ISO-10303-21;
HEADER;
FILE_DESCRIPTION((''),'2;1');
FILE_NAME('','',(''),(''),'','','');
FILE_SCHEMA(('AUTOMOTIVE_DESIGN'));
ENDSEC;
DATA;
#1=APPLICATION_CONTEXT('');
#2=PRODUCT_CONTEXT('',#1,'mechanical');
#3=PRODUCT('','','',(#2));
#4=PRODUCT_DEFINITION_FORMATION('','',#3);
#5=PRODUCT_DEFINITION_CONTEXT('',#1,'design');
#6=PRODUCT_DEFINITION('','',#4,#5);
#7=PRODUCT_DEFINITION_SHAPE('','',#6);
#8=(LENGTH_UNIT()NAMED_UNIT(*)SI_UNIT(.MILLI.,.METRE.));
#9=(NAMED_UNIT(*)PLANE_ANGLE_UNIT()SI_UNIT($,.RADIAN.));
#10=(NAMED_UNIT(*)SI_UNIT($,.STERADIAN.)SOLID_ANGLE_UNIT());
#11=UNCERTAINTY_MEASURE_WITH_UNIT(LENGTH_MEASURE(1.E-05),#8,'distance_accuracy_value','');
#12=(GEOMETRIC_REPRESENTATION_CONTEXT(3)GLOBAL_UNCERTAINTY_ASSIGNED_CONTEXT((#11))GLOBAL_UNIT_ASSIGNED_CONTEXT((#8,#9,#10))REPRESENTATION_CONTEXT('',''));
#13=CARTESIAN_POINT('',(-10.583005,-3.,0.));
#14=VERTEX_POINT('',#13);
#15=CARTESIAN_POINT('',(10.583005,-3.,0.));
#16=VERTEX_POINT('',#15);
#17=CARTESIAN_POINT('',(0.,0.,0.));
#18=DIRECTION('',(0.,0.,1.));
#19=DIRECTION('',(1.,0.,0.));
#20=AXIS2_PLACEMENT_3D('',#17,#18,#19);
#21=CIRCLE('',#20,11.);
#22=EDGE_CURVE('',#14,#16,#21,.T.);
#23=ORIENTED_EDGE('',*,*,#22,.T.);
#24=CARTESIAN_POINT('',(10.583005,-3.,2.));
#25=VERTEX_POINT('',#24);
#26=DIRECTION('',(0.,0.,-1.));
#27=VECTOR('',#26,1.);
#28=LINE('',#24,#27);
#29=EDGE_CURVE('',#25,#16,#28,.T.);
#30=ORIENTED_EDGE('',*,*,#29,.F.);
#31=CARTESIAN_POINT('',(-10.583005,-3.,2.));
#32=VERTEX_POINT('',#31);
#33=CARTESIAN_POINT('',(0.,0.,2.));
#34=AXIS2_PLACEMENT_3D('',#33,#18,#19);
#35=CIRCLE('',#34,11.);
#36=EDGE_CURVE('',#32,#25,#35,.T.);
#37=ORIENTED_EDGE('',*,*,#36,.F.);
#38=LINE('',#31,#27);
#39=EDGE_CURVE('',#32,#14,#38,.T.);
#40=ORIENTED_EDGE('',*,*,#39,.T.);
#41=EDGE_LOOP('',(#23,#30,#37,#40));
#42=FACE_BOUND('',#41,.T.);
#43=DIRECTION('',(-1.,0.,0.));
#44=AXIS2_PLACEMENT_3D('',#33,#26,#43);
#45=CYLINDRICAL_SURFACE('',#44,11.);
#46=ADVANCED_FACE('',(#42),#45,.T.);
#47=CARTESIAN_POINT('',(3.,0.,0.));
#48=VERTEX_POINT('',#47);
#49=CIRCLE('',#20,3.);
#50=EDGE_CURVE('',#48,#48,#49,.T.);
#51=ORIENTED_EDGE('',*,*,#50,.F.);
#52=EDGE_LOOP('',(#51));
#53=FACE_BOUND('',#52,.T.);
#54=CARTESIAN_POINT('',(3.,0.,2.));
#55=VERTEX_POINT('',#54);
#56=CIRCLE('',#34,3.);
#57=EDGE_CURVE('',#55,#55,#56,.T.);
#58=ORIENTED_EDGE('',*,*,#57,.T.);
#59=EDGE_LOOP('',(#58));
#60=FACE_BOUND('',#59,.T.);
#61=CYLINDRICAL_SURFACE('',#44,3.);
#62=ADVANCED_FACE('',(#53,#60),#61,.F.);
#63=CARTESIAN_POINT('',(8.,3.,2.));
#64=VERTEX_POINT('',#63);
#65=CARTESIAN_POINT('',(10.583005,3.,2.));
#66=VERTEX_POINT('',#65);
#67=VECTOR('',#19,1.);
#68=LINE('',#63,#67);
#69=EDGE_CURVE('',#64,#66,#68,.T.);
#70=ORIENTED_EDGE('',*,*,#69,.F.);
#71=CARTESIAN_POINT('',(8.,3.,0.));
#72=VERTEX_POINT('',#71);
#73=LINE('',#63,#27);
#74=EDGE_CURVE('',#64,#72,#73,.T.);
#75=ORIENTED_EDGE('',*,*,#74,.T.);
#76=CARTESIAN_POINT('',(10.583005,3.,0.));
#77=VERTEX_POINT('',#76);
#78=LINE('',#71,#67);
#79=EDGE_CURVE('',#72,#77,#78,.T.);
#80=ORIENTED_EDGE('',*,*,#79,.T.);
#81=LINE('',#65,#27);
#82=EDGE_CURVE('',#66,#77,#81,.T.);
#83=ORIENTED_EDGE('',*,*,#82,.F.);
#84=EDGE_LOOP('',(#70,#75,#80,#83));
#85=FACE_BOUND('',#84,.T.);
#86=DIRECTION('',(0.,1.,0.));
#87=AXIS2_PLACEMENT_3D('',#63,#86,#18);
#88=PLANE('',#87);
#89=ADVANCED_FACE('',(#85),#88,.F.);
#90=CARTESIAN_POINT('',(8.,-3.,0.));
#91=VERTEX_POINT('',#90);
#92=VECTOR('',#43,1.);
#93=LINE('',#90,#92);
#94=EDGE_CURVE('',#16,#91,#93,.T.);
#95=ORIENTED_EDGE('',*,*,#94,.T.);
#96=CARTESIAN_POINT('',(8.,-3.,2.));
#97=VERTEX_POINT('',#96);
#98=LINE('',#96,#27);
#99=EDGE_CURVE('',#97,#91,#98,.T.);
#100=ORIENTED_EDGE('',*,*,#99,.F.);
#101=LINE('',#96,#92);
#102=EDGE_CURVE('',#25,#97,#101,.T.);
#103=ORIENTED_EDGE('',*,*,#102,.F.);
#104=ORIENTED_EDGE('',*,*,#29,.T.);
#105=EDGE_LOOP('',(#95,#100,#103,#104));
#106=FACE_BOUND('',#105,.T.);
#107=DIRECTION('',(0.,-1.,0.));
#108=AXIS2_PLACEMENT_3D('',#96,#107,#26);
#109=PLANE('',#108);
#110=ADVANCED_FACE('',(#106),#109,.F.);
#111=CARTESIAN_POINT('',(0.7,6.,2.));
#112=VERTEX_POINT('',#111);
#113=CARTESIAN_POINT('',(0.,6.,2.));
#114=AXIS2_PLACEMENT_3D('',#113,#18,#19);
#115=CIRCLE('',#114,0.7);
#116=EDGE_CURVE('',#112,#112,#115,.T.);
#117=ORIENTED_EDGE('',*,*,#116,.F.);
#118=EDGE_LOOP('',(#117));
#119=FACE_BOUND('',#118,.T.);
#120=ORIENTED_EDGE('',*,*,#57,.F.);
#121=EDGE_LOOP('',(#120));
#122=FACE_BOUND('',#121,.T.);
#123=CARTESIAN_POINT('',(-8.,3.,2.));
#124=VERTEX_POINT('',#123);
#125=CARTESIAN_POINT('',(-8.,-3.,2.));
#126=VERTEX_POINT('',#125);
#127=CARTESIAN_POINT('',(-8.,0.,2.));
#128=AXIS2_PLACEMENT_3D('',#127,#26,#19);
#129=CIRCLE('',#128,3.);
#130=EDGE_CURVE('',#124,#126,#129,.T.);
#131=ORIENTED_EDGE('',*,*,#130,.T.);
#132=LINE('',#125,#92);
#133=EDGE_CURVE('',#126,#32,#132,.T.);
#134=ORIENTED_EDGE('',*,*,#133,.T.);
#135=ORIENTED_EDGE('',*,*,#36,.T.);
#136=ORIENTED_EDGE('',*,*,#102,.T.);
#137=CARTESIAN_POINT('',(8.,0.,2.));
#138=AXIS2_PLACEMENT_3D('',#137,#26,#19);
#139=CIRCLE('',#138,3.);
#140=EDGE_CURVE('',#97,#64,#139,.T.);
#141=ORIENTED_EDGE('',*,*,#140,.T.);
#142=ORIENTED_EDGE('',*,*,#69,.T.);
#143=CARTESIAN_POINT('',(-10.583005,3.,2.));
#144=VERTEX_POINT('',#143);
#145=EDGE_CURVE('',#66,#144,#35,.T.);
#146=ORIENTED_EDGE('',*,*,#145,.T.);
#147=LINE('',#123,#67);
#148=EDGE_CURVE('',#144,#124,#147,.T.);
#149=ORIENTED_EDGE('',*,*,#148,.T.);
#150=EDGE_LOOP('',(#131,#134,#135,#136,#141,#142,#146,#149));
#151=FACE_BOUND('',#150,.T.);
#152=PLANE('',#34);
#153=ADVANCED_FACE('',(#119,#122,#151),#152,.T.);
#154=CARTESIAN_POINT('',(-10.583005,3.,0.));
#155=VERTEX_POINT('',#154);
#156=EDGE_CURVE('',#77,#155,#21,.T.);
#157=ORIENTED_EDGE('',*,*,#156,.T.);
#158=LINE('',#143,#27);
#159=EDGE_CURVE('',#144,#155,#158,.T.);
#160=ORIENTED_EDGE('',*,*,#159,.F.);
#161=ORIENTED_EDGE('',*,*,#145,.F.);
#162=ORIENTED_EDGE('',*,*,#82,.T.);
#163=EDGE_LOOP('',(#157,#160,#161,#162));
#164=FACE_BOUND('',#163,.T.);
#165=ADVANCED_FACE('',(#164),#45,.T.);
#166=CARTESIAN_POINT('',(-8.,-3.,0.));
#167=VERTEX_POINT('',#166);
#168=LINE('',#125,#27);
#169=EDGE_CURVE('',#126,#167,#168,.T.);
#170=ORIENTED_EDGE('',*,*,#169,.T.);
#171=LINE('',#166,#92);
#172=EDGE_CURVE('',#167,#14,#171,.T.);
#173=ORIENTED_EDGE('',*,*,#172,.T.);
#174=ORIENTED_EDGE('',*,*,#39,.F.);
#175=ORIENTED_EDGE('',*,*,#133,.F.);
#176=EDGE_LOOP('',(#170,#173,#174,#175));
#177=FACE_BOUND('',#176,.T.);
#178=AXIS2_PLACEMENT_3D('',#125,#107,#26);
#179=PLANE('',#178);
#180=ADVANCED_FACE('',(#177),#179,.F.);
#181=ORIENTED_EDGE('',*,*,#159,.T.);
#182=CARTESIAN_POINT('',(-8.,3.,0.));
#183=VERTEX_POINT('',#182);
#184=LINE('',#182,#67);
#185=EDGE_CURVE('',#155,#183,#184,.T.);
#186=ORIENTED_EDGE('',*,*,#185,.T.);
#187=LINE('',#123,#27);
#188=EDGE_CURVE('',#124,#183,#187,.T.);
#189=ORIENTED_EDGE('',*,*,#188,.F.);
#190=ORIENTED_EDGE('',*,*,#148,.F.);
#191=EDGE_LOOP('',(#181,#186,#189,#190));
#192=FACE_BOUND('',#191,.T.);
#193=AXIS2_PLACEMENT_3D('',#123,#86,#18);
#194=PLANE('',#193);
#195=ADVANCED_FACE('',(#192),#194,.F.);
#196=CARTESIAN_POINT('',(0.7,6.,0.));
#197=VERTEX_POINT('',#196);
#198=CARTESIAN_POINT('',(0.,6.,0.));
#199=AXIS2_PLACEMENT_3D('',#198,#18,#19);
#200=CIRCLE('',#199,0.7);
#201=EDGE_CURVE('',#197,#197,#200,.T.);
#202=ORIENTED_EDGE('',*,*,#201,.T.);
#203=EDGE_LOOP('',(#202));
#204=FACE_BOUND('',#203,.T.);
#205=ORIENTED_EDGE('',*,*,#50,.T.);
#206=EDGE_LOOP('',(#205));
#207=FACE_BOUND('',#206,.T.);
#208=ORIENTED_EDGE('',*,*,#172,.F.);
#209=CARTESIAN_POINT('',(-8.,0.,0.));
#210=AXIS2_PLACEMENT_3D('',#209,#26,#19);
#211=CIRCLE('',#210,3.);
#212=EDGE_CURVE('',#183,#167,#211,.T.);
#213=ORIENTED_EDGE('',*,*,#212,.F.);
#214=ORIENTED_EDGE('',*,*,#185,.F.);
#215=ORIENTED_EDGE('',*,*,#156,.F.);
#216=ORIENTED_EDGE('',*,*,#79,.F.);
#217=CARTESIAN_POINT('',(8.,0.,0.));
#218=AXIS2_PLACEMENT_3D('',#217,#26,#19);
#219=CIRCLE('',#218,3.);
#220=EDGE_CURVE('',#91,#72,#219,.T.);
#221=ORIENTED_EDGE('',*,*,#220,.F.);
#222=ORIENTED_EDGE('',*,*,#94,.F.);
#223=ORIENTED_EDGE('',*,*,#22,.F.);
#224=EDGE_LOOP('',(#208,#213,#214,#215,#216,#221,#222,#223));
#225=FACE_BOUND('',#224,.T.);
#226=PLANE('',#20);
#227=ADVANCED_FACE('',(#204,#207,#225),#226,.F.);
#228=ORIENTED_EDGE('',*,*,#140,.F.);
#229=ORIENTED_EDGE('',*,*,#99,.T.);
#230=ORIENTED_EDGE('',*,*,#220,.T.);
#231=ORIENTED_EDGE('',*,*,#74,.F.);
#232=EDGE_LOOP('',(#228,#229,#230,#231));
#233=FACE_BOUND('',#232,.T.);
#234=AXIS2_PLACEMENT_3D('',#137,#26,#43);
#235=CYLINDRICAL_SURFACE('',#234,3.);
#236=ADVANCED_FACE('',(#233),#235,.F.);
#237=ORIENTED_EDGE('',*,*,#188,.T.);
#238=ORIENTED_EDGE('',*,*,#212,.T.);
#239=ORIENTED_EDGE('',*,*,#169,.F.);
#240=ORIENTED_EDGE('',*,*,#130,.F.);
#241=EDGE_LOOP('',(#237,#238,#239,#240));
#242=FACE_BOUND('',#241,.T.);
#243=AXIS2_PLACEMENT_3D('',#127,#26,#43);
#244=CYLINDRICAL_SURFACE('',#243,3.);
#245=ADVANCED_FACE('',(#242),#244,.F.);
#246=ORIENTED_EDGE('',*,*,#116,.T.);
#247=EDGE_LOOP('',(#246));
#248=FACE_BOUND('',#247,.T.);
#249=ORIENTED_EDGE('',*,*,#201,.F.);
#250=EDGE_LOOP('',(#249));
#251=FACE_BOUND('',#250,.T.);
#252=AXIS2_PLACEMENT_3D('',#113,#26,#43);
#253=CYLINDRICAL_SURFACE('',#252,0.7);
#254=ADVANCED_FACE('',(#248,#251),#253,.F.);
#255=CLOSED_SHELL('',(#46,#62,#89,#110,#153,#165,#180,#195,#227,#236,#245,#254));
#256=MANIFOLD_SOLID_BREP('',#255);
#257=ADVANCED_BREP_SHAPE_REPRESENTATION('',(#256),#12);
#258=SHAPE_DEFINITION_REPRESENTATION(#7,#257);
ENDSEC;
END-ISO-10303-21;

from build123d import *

# Parameters (mm, degrees)
MODEL_R             = 0.7
MODEL_R_2           = 3
BOSS_EXTRUDE1_DEPTH = 2


with BuildPart() as part:
    # Model → Boss-Extrude1 (new body)
    with BuildSketch(Plane.XY):
        with BuildLine():
            Line((-8, 3), (-10.583005244, 3))
            ThreePointArc((-10.583005244, 3), (0, 11), (10.583005244, 3))
            Line((10.583005244, 3), (8, 3))
            ThreePointArc((8, 3), (5, 0), (8, -3))
            Line((8, -3), (10.583005244, -3))
            ThreePointArc((10.583005244, -3), (0, -11), (-10.583005244, -3))
            Line((-10.583005244, -3), (-8, -3))
            ThreePointArc((-8, -3), (-5, 0), (-8, 3))
        make_face()
        with Locations((0, 6)):
            Circle(MODEL_R, mode=Mode.SUBTRACT)
        Circle(MODEL_R_2, mode=Mode.SUBTRACT)
    extrude(amount=BOSS_EXTRUDE1_DEPTH)


solid = part.part
